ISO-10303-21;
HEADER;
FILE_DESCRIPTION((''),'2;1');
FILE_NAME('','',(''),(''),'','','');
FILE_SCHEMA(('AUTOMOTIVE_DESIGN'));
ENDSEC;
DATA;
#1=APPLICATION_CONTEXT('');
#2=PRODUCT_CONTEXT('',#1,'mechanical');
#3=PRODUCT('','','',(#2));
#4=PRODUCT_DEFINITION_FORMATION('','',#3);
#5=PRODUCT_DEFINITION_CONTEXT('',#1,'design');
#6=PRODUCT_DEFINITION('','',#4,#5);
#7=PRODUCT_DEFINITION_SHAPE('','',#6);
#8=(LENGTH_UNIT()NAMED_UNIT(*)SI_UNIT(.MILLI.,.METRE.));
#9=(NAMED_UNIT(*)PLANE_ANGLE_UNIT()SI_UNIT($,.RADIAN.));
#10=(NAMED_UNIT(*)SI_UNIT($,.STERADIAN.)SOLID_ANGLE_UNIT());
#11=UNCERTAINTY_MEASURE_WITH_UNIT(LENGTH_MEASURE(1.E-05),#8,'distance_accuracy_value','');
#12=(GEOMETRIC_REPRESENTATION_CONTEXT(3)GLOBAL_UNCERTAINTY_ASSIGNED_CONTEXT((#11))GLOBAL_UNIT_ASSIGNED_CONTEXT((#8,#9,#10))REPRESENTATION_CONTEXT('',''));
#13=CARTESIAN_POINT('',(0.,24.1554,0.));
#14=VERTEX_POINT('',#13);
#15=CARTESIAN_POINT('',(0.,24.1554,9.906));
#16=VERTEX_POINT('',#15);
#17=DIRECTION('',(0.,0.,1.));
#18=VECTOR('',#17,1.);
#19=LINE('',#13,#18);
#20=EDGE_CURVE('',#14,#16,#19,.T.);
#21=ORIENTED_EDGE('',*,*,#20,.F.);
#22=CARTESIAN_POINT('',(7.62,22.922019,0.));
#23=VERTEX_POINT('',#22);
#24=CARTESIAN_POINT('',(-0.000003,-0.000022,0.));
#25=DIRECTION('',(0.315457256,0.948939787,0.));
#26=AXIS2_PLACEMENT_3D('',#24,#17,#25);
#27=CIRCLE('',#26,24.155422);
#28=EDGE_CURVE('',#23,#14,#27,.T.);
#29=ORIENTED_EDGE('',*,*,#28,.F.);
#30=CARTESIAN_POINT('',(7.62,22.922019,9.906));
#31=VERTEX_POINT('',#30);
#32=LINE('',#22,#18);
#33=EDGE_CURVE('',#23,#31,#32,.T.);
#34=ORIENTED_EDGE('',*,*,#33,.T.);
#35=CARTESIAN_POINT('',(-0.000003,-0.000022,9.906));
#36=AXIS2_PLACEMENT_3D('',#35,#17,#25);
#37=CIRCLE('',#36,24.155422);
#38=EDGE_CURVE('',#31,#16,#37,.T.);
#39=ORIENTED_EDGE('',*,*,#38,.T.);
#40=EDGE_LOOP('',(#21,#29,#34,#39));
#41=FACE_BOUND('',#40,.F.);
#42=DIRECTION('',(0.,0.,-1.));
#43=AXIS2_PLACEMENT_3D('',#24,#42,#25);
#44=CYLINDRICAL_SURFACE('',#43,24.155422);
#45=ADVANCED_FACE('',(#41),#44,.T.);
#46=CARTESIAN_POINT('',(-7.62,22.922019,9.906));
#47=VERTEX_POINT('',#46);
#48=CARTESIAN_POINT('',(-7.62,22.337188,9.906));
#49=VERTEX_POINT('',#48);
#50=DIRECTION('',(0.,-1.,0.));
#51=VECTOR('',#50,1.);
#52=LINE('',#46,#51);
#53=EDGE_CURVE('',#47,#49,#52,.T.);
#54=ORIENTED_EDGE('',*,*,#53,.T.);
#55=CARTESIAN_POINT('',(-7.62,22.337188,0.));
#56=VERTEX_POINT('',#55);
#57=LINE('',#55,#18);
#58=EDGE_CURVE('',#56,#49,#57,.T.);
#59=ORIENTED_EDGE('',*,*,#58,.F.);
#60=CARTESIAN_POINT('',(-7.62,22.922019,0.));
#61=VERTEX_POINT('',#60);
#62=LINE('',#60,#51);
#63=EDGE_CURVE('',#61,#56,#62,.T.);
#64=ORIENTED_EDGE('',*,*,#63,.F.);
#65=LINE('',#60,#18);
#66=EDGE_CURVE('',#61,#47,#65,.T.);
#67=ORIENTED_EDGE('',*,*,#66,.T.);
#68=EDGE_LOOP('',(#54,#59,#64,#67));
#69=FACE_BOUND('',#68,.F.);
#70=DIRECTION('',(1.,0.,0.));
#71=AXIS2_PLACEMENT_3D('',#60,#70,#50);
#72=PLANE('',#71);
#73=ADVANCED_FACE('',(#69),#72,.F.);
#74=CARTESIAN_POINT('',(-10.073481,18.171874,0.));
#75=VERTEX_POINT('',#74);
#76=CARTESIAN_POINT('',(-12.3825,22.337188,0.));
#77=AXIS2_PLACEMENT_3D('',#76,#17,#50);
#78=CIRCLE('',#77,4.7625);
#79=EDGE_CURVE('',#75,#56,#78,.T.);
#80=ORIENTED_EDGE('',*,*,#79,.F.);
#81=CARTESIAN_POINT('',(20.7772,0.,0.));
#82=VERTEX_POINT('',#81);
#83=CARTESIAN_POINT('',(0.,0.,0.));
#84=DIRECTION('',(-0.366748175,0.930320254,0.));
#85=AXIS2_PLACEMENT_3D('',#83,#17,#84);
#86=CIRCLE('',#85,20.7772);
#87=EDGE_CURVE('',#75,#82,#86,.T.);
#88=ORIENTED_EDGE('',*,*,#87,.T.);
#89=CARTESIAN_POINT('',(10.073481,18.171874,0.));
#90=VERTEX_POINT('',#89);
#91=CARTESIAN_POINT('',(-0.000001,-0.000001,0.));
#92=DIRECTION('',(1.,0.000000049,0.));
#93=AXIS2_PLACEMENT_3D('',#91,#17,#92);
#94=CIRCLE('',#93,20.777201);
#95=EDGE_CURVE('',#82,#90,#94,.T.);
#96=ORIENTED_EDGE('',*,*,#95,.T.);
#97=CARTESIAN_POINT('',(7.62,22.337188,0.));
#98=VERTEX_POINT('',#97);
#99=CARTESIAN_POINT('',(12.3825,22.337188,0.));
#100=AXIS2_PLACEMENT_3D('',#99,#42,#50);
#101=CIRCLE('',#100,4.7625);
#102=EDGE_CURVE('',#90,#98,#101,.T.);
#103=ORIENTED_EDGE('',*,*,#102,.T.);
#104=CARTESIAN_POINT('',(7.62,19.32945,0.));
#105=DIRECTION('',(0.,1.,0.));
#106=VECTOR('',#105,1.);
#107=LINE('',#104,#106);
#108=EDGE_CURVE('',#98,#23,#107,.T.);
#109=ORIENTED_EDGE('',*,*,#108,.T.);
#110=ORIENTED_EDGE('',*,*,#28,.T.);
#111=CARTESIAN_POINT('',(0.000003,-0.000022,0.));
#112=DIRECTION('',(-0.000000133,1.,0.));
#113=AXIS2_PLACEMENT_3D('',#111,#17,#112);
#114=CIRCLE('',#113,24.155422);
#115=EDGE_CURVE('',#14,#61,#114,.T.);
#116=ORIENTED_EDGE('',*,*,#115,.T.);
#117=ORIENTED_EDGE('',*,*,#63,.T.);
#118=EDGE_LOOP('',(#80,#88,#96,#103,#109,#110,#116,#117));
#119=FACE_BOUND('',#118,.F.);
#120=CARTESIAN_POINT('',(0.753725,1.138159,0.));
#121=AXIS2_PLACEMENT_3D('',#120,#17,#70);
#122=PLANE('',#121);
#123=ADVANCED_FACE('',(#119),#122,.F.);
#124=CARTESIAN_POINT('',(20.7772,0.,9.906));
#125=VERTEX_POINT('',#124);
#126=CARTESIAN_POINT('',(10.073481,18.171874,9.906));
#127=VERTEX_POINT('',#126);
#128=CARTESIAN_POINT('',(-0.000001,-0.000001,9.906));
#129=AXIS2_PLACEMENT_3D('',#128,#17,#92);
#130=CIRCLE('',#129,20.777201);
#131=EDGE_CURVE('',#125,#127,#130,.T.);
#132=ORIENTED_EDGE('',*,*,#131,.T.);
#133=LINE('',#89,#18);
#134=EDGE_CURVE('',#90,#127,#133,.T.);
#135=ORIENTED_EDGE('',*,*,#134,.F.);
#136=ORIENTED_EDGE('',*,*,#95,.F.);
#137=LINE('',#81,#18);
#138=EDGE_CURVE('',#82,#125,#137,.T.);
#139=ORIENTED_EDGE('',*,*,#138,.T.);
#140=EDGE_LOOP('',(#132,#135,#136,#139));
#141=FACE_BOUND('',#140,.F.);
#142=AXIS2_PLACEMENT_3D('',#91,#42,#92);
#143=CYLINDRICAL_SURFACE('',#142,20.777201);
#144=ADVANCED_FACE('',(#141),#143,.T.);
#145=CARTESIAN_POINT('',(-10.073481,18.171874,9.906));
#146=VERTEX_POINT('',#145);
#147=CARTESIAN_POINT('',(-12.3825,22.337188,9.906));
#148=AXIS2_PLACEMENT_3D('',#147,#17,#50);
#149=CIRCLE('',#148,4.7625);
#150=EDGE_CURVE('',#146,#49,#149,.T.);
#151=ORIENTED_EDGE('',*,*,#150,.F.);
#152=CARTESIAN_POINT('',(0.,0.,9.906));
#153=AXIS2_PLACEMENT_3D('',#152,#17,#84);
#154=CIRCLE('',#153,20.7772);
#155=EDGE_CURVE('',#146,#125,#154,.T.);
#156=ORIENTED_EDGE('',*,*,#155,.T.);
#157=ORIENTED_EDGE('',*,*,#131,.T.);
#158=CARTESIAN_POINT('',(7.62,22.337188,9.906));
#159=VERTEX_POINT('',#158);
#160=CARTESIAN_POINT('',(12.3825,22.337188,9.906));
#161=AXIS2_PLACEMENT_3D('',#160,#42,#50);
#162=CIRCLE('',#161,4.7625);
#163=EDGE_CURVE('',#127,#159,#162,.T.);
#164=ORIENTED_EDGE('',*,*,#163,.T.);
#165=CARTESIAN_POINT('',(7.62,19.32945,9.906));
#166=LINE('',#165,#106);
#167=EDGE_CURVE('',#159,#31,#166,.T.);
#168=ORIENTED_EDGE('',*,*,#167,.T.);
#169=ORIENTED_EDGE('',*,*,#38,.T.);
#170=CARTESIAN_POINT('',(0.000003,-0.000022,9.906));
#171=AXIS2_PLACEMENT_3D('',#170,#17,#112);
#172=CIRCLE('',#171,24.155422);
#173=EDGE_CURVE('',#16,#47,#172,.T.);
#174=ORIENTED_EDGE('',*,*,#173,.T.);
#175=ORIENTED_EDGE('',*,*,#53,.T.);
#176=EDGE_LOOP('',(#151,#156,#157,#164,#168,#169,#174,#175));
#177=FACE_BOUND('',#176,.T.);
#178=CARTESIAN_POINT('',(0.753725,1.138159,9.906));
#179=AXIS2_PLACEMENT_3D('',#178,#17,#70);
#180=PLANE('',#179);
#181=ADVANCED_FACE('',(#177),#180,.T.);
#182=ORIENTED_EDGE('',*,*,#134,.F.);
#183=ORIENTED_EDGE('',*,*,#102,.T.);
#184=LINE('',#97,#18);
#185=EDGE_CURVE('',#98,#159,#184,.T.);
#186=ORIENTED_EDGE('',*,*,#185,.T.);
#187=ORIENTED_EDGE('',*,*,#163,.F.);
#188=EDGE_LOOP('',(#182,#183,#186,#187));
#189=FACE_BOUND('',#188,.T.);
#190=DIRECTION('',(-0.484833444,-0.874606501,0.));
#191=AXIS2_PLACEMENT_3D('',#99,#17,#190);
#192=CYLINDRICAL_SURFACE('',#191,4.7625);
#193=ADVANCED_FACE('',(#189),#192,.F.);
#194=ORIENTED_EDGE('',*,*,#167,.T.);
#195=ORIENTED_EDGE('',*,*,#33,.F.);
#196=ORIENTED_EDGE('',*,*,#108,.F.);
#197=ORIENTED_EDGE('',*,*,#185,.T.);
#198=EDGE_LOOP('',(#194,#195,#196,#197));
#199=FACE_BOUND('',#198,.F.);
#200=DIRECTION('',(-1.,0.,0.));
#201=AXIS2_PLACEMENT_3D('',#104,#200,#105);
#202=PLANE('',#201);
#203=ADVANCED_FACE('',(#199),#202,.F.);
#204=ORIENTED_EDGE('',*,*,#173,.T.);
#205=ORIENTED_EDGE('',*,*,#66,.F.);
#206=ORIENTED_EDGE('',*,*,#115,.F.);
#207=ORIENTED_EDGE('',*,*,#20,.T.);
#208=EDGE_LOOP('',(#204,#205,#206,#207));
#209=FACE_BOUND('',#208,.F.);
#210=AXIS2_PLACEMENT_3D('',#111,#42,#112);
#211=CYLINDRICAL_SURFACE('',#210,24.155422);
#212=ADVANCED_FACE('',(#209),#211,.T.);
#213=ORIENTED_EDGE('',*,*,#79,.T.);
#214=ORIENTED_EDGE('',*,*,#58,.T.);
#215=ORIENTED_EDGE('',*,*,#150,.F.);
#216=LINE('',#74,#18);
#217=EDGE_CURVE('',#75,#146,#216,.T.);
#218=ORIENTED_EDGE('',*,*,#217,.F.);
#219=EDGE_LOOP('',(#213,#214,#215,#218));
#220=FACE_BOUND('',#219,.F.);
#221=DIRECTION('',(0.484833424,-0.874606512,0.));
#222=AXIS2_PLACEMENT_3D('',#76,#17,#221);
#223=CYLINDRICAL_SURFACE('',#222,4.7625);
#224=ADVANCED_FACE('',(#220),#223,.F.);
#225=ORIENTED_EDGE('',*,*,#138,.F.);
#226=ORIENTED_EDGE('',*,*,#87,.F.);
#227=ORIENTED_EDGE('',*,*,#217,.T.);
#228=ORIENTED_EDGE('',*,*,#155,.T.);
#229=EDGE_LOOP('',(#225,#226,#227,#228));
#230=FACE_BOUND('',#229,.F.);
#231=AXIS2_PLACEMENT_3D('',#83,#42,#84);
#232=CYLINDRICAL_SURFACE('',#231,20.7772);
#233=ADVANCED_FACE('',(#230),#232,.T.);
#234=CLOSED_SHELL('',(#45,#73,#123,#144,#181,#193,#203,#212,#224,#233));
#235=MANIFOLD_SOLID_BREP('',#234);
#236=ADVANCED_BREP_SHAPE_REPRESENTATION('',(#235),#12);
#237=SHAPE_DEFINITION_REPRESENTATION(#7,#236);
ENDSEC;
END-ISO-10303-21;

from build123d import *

# Parameters (mm, degrees)
F1_DEPTH = 9.906
F2_R     = 4.7625


with BuildPart() as f1:
    # F0 (on Top) → F1 (new body)
    with BuildSketch(Plane.XY):
        with BuildLine():
            ThreePointArc((-7.62, 19.32945), (-11.691231, -17.175772), (20.7772, 0))
            ThreePointArc((20.7772, 0), (17.175772, 11.691231), (7.62, 19.32945))
            ThreePointArc((7.62, 19.32945), (0, 20.7772), (-7.62, 19.32945))
        make_face()
        with BuildLine():
            ThreePointArc((-7.62, 19.32945), (0, 20.7772), (7.62, 19.32945))
            Line((7.62, 19.32945), (7.62, 22.922019))
            ThreePointArc((7.62, 22.922019), (3.859586, 23.845061), (0, 24.1554))
            ThreePointArc((0, 24.1554), (-3.859586, 23.845061), (-7.62, 22.922019))
            Line((-7.62, 22.922019), (-7.62, 19.32945))
        make_face()
    extrude(amount=F1_DEPTH)

    # F2
    f2_edges = [f1.edges().sort_by_distance(p)[0] for p in [
        (7.62, 19.32945, 4.953),
        (-7.62, 19.32945, 4.953),
    ]]
    fillet(f2_edges, radius=F2_R)


solid = f1.part
